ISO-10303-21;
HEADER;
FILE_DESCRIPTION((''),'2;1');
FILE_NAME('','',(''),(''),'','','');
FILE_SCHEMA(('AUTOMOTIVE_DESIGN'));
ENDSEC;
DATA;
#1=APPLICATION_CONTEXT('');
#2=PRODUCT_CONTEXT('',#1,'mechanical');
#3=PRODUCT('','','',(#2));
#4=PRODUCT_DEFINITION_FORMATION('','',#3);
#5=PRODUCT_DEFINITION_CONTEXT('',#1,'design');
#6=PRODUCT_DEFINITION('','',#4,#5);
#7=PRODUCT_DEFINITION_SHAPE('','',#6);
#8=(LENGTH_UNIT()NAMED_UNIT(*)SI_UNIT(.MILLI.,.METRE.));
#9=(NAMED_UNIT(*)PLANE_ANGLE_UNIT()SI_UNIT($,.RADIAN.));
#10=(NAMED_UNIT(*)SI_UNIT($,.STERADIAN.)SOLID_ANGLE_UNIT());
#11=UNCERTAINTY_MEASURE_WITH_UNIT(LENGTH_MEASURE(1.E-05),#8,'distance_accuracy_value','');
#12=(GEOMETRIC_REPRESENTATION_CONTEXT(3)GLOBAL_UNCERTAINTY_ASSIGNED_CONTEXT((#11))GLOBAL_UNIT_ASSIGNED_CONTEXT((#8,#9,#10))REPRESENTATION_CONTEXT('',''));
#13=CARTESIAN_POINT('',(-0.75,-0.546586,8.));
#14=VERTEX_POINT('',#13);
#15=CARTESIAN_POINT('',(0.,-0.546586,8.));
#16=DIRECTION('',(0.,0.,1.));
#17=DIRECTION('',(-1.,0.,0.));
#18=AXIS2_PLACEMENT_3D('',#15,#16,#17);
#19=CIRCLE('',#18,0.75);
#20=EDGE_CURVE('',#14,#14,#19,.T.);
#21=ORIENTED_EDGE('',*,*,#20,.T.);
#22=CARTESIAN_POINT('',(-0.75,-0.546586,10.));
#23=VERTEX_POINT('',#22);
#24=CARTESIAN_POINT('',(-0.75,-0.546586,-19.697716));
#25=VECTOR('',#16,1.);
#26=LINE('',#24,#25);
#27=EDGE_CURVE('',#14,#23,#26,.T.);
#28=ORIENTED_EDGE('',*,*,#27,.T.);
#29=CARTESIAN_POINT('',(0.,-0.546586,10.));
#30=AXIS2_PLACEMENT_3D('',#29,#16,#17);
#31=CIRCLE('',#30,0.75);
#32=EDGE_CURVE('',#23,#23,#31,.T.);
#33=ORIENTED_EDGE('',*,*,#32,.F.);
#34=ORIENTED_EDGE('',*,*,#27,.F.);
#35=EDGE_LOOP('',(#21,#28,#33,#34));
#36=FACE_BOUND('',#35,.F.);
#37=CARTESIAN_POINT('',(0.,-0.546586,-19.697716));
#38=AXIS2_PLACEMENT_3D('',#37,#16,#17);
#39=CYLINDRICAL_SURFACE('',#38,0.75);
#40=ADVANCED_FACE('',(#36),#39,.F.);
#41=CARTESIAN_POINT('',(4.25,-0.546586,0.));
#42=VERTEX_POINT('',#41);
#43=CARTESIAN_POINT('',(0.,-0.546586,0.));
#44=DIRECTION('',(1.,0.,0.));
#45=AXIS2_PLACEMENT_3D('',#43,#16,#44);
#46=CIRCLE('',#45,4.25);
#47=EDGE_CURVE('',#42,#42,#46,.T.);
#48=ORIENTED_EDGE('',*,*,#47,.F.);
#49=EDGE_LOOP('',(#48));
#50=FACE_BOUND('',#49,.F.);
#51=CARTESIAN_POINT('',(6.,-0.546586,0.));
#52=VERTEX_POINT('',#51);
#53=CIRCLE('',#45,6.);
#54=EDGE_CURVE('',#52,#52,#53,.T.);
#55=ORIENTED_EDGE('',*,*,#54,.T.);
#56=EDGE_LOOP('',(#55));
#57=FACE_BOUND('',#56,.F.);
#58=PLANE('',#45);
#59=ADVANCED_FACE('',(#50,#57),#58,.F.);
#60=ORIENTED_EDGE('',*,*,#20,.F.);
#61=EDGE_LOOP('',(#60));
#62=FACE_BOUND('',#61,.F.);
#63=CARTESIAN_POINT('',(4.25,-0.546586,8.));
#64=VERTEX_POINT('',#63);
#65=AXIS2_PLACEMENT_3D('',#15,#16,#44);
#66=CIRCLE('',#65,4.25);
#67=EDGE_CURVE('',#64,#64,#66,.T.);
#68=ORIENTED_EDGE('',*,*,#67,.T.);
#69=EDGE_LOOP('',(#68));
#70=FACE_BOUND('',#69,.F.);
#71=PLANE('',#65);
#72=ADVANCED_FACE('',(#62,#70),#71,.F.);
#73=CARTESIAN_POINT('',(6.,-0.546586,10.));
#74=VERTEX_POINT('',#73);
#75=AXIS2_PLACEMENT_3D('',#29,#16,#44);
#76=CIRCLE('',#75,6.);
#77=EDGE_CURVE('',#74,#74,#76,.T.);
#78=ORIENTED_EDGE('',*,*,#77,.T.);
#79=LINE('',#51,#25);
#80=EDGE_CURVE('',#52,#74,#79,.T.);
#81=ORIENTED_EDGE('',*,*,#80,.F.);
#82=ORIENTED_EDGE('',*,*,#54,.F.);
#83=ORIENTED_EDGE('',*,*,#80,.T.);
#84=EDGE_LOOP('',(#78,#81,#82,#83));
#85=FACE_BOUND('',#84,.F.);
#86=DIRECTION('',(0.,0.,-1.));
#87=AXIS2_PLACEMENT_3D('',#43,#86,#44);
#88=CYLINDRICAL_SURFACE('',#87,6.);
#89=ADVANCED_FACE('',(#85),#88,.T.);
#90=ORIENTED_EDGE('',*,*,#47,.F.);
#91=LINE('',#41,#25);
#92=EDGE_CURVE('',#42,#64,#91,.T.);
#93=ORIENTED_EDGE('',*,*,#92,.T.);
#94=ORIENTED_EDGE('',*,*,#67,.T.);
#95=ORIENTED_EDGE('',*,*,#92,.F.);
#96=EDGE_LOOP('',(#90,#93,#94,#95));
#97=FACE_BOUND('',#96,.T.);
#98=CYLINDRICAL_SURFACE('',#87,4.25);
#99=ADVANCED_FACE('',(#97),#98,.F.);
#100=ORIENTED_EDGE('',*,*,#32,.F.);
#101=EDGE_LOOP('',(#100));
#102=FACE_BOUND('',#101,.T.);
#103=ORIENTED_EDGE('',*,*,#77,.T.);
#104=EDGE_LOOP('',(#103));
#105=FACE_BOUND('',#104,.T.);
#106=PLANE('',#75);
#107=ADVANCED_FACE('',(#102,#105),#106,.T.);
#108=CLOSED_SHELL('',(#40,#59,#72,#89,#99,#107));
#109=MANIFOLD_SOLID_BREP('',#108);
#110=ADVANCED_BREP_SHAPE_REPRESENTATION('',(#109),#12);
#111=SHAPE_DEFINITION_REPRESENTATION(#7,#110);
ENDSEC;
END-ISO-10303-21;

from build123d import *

# Parameters (mm, degrees)
F0_R     = 6
F0_R_2   = 4.25
F1_DEPTH = 10
F2_DEPTH = 8
F3_D     = 1.5


with BuildPart() as f1:
    # F0 (on Top) → F1 (new body)
    with BuildSketch(Plane.XY):
        with Locations((0, -0.5465864819)):
            Circle(F0_R)
        with Locations((0, -0.5465864819)):
            Circle(F0_R_2, mode=Mode.SUBTRACT)
        with Locations((0, -0.5465864819)):
            Circle(F0_R_2)
    extrude(amount=F1_DEPTH)

    # F0 (on Top) → F2 (cut)
    with BuildSketch(Plane.XY):
        with Locations((0, -0.5465864819)):
            Circle(F0_R_2)
    extrude(amount=F2_DEPTH, mode=Mode.SUBTRACT)

    # F3 (through all)
    with Locations(Plane(origin=(0, 0, 0), x_dir=(1, 0, 0), z_dir=(0, 0, -1))):
        with Locations((0, 0.5465864819)):
            Hole(F3_D / 2)


solid = f1.part
